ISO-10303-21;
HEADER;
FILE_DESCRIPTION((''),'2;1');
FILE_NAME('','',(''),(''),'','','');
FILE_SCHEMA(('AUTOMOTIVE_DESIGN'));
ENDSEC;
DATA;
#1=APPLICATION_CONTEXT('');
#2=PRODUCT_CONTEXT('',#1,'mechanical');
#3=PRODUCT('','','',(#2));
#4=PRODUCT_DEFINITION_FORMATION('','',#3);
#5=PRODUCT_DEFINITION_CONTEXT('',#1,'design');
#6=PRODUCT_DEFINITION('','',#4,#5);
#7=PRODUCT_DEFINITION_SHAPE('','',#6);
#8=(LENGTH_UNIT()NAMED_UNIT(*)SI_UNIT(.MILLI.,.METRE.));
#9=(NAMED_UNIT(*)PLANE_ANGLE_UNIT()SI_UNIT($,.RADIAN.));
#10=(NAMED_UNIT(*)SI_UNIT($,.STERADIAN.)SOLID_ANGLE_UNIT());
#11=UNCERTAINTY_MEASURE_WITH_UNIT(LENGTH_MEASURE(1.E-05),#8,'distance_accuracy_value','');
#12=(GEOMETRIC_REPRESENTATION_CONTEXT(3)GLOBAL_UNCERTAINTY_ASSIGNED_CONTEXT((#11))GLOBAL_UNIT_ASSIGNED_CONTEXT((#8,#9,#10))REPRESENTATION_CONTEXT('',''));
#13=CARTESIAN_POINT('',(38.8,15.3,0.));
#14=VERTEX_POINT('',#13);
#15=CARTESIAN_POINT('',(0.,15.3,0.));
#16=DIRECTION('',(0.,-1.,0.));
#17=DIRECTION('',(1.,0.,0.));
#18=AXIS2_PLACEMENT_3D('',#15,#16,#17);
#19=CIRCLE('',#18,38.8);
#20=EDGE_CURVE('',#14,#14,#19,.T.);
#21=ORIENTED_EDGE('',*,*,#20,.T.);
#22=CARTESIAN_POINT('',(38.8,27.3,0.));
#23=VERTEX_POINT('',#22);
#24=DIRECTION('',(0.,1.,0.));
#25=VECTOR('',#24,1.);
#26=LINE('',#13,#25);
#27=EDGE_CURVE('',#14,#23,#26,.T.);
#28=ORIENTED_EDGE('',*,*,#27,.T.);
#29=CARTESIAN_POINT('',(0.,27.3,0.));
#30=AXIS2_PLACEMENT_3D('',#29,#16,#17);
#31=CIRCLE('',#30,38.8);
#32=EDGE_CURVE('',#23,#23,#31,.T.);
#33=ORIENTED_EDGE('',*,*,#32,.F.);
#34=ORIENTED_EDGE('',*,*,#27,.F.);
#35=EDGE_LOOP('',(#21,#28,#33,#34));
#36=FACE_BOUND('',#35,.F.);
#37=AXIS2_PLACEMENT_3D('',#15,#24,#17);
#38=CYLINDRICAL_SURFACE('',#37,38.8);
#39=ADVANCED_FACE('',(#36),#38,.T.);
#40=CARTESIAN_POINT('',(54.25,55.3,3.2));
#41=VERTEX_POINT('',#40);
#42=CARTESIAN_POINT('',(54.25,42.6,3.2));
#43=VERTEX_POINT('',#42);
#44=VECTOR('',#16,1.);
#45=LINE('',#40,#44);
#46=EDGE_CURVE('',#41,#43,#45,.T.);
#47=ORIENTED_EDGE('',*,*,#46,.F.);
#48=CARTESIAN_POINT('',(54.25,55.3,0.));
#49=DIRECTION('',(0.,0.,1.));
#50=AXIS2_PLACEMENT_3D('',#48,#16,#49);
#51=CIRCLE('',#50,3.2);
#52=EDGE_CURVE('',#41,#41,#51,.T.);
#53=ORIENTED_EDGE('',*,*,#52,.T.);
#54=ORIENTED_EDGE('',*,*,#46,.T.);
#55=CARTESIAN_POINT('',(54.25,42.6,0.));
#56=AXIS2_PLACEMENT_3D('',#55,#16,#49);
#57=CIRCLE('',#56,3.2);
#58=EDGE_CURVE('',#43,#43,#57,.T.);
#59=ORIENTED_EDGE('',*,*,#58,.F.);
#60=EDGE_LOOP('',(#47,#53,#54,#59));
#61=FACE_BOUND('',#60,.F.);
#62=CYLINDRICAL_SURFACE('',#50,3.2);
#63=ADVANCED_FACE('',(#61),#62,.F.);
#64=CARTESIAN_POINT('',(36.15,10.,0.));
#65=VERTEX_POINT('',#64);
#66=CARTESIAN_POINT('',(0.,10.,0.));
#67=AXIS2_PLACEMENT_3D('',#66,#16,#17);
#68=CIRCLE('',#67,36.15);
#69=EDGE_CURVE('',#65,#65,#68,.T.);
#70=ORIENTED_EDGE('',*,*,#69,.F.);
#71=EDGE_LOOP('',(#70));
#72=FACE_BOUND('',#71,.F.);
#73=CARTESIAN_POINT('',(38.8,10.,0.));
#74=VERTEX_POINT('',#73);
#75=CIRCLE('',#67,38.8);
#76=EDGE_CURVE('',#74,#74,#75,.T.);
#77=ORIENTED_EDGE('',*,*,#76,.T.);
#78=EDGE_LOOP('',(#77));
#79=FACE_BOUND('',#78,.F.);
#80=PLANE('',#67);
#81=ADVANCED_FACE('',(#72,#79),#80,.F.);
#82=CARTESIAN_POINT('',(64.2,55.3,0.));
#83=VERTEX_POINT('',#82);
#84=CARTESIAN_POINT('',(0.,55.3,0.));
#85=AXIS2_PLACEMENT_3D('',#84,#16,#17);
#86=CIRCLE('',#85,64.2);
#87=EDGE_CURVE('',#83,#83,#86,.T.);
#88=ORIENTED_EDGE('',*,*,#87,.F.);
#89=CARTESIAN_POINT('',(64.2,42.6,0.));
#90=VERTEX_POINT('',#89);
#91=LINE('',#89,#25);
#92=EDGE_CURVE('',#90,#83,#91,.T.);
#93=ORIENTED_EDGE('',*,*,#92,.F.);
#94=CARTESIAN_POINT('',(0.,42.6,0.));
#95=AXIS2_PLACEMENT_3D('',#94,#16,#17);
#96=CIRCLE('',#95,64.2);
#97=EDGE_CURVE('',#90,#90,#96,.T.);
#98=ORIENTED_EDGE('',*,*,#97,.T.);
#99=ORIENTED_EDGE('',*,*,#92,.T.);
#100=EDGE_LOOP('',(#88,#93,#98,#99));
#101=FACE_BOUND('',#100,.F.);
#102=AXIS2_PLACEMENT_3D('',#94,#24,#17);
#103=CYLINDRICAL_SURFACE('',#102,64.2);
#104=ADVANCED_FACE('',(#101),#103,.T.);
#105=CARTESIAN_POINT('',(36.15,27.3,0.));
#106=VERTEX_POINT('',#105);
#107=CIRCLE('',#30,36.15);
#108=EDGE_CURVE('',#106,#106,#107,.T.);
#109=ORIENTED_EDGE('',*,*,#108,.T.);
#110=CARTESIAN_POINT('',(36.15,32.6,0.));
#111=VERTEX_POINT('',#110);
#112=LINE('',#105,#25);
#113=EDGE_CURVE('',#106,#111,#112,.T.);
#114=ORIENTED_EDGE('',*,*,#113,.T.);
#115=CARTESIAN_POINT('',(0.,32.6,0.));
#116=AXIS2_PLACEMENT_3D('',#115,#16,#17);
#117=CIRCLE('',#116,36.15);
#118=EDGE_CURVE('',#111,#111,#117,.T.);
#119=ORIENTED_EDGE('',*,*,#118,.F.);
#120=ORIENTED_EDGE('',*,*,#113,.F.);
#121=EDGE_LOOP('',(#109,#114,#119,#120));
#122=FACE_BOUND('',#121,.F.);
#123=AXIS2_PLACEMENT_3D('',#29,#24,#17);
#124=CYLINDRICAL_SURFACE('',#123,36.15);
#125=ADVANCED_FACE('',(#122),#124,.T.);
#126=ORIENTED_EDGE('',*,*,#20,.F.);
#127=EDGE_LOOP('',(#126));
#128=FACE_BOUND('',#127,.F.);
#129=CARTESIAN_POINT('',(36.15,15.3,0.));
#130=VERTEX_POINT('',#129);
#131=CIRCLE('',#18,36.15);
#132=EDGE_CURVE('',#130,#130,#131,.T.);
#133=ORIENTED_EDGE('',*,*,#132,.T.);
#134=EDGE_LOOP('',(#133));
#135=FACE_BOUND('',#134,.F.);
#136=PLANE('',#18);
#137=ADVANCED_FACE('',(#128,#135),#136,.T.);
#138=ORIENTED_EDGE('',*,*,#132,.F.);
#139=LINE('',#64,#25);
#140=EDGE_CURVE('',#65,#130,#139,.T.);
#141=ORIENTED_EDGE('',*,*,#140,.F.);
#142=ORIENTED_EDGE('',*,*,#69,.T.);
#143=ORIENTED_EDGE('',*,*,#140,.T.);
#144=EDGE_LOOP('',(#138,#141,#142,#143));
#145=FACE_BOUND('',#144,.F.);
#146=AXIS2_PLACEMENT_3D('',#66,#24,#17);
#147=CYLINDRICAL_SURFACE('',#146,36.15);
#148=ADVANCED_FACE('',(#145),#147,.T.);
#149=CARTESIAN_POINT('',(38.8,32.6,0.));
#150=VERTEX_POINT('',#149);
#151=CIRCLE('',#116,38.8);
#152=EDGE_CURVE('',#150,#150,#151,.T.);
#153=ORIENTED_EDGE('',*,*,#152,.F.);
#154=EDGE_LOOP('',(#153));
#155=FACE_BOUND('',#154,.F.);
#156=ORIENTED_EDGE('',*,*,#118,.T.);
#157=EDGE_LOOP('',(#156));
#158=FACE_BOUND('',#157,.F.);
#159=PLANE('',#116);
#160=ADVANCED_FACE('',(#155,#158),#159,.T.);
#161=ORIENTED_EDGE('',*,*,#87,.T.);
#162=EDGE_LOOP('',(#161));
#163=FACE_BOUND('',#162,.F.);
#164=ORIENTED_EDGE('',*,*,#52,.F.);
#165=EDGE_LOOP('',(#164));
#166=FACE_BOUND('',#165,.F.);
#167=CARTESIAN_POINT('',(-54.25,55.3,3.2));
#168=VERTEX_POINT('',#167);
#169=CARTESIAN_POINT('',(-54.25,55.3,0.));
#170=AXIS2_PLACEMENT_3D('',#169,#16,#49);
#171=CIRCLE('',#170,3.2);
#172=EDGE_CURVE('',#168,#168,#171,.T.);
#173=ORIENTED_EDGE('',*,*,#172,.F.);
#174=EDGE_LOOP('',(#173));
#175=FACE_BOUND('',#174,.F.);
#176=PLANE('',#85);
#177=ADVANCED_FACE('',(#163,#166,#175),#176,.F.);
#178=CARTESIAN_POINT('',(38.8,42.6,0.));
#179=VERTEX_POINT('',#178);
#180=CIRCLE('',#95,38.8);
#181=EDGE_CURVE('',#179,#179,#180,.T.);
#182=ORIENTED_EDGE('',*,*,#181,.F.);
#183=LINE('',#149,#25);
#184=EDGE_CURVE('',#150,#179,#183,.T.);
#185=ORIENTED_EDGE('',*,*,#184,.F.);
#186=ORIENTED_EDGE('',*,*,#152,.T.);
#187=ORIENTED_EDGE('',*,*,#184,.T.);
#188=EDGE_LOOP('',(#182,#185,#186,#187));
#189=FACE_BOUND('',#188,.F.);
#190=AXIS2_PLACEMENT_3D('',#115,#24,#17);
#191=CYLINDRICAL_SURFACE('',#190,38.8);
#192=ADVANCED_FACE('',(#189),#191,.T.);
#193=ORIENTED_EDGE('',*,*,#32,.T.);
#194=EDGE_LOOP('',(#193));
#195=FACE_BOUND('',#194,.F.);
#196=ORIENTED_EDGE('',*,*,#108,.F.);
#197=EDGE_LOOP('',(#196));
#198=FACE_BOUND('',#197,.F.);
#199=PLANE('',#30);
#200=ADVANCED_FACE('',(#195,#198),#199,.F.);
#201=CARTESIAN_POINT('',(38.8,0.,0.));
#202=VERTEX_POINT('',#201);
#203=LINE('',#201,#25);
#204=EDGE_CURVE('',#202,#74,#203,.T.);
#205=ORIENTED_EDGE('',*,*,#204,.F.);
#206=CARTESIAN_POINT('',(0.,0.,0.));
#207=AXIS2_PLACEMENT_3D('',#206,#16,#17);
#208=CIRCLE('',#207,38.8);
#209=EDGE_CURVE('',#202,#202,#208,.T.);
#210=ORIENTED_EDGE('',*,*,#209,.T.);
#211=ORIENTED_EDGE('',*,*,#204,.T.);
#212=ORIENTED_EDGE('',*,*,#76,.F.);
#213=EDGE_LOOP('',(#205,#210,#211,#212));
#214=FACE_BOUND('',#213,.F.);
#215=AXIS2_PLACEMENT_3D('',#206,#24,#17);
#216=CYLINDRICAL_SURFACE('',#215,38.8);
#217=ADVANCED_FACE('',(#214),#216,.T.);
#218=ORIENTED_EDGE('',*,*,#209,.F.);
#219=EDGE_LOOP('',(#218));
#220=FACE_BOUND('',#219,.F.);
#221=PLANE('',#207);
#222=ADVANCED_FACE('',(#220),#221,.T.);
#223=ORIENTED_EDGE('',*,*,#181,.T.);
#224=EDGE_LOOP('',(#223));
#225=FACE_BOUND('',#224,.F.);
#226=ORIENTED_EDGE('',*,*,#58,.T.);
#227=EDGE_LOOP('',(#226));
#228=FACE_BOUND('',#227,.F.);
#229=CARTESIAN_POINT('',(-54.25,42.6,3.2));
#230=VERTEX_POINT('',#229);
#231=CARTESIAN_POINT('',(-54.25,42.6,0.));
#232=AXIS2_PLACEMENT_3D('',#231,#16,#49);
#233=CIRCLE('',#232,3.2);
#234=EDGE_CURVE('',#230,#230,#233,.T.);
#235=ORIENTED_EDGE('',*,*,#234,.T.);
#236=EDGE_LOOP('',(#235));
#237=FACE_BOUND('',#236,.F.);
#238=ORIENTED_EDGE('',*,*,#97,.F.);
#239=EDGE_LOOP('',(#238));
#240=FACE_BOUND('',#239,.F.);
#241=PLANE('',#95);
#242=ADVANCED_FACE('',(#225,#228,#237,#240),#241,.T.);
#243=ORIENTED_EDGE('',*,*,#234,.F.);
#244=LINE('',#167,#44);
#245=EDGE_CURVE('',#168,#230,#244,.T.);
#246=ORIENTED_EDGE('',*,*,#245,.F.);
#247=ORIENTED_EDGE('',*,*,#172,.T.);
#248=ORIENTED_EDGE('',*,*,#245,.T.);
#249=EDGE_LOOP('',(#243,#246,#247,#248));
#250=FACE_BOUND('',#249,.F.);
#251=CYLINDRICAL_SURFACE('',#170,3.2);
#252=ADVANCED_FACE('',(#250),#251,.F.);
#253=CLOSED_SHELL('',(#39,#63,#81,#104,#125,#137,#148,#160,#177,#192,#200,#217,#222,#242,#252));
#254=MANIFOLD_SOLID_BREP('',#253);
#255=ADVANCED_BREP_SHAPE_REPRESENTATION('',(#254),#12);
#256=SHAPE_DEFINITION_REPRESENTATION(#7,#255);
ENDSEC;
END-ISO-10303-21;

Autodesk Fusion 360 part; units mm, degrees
sketch "Sketch1" plane through (0, 0, 0) normal (0, 0, 1) x (1, 0, 0)
  line L0 (0, 0) -> (38.8, 0)
  line L1 (38.8, 0) -> (38.8, 10)
  line L2 (38.8, 10) -> (36.15, 10)
  line L3 (36.15, 10) -> (36.15, 15.3)
  line L4 (36.15, 15.3) -> (38.8, 15.3)
  line L5 (38.8, 15.3) -> (38.8, 27.3)
  line L6 (38.8, 27.3) -> (36.15, 27.3)
  line L7 (36.15, 27.3) -> (36.15, 32.6)
  line L8 (36.15, 32.6) -> (38.8, 32.6)
  line L9 (38.8, 32.6) -> (38.8, 42.6)
  line L10 (38.8, 42.6) -> (64.2, 42.6)
  line L11 (64.2, 42.6) -> (64.2, 55.3)
  line L12 (64.2, 55.3) -> (0, 55.3)
  line L13 (0, 55.3) -> (0, 0)
  dimension "d1" = 38.8
  dimension "d2" = 10
  dimension "d3" = 2.65
  dimension "d4" = 5.3
  dimension "d5" = 2.65
  dimension "d7" = 12
  dimension "d8" = 2.65
  dimension "d9" = 5.3
  dimension "d10" = 2.65
  dimension "d11" = 10
  dimension "d12" = 25.4
  dimension "d13" = 12.7
revolve "Revolve1" add sketch "Sketch1" angle 360 about axis through (0, 55.3, 0) along (0, -1, 0)
sketch "Sketch2" plane through (0, 55.3, 0) normal (0, 1, 0) x (-1, 0, 0)
  circle A0 centre (0, 0) radius 64.2
sketch "Sketch3" plane through (0, 55.3, 0) normal (0, 1, 0) x (-1, 0, 0)
  line L0 (-51.05, 0) -> (-54.25, 0)
  circle A0 centre (-54.25, 0) radius 3.2
  line L1 (51.05, 0) -> (54.25, 0)
  circle A1 centre (54.25, 0) radius 3.2
  dimension "d15" = 54.25
  dimension "d16" = 6.4
  dimension "d17" = 54.25
  dimension "d18" = 6.4
hole "Hole1" at (54.25, 55.3, 0) direction (0, -1, 0) diameter 6.4 depth 100 tip angle 118
sketch "Sketch4" plane through (0, 55.3, 0) normal (0, 1, 0) x (-1, 0, 0)
  line L0 (51.05, 0) -> (54.25, 0)
  circle A0 centre (54.25, 0) radius 3.2
  dimension "d22" = 54.25
  dimension "d23" = 6.4
hole "Hole2" at (-54.25, 55.3, 0) direction (0, -1, 0) diameter 6.4 depth 100 tip angle 118
